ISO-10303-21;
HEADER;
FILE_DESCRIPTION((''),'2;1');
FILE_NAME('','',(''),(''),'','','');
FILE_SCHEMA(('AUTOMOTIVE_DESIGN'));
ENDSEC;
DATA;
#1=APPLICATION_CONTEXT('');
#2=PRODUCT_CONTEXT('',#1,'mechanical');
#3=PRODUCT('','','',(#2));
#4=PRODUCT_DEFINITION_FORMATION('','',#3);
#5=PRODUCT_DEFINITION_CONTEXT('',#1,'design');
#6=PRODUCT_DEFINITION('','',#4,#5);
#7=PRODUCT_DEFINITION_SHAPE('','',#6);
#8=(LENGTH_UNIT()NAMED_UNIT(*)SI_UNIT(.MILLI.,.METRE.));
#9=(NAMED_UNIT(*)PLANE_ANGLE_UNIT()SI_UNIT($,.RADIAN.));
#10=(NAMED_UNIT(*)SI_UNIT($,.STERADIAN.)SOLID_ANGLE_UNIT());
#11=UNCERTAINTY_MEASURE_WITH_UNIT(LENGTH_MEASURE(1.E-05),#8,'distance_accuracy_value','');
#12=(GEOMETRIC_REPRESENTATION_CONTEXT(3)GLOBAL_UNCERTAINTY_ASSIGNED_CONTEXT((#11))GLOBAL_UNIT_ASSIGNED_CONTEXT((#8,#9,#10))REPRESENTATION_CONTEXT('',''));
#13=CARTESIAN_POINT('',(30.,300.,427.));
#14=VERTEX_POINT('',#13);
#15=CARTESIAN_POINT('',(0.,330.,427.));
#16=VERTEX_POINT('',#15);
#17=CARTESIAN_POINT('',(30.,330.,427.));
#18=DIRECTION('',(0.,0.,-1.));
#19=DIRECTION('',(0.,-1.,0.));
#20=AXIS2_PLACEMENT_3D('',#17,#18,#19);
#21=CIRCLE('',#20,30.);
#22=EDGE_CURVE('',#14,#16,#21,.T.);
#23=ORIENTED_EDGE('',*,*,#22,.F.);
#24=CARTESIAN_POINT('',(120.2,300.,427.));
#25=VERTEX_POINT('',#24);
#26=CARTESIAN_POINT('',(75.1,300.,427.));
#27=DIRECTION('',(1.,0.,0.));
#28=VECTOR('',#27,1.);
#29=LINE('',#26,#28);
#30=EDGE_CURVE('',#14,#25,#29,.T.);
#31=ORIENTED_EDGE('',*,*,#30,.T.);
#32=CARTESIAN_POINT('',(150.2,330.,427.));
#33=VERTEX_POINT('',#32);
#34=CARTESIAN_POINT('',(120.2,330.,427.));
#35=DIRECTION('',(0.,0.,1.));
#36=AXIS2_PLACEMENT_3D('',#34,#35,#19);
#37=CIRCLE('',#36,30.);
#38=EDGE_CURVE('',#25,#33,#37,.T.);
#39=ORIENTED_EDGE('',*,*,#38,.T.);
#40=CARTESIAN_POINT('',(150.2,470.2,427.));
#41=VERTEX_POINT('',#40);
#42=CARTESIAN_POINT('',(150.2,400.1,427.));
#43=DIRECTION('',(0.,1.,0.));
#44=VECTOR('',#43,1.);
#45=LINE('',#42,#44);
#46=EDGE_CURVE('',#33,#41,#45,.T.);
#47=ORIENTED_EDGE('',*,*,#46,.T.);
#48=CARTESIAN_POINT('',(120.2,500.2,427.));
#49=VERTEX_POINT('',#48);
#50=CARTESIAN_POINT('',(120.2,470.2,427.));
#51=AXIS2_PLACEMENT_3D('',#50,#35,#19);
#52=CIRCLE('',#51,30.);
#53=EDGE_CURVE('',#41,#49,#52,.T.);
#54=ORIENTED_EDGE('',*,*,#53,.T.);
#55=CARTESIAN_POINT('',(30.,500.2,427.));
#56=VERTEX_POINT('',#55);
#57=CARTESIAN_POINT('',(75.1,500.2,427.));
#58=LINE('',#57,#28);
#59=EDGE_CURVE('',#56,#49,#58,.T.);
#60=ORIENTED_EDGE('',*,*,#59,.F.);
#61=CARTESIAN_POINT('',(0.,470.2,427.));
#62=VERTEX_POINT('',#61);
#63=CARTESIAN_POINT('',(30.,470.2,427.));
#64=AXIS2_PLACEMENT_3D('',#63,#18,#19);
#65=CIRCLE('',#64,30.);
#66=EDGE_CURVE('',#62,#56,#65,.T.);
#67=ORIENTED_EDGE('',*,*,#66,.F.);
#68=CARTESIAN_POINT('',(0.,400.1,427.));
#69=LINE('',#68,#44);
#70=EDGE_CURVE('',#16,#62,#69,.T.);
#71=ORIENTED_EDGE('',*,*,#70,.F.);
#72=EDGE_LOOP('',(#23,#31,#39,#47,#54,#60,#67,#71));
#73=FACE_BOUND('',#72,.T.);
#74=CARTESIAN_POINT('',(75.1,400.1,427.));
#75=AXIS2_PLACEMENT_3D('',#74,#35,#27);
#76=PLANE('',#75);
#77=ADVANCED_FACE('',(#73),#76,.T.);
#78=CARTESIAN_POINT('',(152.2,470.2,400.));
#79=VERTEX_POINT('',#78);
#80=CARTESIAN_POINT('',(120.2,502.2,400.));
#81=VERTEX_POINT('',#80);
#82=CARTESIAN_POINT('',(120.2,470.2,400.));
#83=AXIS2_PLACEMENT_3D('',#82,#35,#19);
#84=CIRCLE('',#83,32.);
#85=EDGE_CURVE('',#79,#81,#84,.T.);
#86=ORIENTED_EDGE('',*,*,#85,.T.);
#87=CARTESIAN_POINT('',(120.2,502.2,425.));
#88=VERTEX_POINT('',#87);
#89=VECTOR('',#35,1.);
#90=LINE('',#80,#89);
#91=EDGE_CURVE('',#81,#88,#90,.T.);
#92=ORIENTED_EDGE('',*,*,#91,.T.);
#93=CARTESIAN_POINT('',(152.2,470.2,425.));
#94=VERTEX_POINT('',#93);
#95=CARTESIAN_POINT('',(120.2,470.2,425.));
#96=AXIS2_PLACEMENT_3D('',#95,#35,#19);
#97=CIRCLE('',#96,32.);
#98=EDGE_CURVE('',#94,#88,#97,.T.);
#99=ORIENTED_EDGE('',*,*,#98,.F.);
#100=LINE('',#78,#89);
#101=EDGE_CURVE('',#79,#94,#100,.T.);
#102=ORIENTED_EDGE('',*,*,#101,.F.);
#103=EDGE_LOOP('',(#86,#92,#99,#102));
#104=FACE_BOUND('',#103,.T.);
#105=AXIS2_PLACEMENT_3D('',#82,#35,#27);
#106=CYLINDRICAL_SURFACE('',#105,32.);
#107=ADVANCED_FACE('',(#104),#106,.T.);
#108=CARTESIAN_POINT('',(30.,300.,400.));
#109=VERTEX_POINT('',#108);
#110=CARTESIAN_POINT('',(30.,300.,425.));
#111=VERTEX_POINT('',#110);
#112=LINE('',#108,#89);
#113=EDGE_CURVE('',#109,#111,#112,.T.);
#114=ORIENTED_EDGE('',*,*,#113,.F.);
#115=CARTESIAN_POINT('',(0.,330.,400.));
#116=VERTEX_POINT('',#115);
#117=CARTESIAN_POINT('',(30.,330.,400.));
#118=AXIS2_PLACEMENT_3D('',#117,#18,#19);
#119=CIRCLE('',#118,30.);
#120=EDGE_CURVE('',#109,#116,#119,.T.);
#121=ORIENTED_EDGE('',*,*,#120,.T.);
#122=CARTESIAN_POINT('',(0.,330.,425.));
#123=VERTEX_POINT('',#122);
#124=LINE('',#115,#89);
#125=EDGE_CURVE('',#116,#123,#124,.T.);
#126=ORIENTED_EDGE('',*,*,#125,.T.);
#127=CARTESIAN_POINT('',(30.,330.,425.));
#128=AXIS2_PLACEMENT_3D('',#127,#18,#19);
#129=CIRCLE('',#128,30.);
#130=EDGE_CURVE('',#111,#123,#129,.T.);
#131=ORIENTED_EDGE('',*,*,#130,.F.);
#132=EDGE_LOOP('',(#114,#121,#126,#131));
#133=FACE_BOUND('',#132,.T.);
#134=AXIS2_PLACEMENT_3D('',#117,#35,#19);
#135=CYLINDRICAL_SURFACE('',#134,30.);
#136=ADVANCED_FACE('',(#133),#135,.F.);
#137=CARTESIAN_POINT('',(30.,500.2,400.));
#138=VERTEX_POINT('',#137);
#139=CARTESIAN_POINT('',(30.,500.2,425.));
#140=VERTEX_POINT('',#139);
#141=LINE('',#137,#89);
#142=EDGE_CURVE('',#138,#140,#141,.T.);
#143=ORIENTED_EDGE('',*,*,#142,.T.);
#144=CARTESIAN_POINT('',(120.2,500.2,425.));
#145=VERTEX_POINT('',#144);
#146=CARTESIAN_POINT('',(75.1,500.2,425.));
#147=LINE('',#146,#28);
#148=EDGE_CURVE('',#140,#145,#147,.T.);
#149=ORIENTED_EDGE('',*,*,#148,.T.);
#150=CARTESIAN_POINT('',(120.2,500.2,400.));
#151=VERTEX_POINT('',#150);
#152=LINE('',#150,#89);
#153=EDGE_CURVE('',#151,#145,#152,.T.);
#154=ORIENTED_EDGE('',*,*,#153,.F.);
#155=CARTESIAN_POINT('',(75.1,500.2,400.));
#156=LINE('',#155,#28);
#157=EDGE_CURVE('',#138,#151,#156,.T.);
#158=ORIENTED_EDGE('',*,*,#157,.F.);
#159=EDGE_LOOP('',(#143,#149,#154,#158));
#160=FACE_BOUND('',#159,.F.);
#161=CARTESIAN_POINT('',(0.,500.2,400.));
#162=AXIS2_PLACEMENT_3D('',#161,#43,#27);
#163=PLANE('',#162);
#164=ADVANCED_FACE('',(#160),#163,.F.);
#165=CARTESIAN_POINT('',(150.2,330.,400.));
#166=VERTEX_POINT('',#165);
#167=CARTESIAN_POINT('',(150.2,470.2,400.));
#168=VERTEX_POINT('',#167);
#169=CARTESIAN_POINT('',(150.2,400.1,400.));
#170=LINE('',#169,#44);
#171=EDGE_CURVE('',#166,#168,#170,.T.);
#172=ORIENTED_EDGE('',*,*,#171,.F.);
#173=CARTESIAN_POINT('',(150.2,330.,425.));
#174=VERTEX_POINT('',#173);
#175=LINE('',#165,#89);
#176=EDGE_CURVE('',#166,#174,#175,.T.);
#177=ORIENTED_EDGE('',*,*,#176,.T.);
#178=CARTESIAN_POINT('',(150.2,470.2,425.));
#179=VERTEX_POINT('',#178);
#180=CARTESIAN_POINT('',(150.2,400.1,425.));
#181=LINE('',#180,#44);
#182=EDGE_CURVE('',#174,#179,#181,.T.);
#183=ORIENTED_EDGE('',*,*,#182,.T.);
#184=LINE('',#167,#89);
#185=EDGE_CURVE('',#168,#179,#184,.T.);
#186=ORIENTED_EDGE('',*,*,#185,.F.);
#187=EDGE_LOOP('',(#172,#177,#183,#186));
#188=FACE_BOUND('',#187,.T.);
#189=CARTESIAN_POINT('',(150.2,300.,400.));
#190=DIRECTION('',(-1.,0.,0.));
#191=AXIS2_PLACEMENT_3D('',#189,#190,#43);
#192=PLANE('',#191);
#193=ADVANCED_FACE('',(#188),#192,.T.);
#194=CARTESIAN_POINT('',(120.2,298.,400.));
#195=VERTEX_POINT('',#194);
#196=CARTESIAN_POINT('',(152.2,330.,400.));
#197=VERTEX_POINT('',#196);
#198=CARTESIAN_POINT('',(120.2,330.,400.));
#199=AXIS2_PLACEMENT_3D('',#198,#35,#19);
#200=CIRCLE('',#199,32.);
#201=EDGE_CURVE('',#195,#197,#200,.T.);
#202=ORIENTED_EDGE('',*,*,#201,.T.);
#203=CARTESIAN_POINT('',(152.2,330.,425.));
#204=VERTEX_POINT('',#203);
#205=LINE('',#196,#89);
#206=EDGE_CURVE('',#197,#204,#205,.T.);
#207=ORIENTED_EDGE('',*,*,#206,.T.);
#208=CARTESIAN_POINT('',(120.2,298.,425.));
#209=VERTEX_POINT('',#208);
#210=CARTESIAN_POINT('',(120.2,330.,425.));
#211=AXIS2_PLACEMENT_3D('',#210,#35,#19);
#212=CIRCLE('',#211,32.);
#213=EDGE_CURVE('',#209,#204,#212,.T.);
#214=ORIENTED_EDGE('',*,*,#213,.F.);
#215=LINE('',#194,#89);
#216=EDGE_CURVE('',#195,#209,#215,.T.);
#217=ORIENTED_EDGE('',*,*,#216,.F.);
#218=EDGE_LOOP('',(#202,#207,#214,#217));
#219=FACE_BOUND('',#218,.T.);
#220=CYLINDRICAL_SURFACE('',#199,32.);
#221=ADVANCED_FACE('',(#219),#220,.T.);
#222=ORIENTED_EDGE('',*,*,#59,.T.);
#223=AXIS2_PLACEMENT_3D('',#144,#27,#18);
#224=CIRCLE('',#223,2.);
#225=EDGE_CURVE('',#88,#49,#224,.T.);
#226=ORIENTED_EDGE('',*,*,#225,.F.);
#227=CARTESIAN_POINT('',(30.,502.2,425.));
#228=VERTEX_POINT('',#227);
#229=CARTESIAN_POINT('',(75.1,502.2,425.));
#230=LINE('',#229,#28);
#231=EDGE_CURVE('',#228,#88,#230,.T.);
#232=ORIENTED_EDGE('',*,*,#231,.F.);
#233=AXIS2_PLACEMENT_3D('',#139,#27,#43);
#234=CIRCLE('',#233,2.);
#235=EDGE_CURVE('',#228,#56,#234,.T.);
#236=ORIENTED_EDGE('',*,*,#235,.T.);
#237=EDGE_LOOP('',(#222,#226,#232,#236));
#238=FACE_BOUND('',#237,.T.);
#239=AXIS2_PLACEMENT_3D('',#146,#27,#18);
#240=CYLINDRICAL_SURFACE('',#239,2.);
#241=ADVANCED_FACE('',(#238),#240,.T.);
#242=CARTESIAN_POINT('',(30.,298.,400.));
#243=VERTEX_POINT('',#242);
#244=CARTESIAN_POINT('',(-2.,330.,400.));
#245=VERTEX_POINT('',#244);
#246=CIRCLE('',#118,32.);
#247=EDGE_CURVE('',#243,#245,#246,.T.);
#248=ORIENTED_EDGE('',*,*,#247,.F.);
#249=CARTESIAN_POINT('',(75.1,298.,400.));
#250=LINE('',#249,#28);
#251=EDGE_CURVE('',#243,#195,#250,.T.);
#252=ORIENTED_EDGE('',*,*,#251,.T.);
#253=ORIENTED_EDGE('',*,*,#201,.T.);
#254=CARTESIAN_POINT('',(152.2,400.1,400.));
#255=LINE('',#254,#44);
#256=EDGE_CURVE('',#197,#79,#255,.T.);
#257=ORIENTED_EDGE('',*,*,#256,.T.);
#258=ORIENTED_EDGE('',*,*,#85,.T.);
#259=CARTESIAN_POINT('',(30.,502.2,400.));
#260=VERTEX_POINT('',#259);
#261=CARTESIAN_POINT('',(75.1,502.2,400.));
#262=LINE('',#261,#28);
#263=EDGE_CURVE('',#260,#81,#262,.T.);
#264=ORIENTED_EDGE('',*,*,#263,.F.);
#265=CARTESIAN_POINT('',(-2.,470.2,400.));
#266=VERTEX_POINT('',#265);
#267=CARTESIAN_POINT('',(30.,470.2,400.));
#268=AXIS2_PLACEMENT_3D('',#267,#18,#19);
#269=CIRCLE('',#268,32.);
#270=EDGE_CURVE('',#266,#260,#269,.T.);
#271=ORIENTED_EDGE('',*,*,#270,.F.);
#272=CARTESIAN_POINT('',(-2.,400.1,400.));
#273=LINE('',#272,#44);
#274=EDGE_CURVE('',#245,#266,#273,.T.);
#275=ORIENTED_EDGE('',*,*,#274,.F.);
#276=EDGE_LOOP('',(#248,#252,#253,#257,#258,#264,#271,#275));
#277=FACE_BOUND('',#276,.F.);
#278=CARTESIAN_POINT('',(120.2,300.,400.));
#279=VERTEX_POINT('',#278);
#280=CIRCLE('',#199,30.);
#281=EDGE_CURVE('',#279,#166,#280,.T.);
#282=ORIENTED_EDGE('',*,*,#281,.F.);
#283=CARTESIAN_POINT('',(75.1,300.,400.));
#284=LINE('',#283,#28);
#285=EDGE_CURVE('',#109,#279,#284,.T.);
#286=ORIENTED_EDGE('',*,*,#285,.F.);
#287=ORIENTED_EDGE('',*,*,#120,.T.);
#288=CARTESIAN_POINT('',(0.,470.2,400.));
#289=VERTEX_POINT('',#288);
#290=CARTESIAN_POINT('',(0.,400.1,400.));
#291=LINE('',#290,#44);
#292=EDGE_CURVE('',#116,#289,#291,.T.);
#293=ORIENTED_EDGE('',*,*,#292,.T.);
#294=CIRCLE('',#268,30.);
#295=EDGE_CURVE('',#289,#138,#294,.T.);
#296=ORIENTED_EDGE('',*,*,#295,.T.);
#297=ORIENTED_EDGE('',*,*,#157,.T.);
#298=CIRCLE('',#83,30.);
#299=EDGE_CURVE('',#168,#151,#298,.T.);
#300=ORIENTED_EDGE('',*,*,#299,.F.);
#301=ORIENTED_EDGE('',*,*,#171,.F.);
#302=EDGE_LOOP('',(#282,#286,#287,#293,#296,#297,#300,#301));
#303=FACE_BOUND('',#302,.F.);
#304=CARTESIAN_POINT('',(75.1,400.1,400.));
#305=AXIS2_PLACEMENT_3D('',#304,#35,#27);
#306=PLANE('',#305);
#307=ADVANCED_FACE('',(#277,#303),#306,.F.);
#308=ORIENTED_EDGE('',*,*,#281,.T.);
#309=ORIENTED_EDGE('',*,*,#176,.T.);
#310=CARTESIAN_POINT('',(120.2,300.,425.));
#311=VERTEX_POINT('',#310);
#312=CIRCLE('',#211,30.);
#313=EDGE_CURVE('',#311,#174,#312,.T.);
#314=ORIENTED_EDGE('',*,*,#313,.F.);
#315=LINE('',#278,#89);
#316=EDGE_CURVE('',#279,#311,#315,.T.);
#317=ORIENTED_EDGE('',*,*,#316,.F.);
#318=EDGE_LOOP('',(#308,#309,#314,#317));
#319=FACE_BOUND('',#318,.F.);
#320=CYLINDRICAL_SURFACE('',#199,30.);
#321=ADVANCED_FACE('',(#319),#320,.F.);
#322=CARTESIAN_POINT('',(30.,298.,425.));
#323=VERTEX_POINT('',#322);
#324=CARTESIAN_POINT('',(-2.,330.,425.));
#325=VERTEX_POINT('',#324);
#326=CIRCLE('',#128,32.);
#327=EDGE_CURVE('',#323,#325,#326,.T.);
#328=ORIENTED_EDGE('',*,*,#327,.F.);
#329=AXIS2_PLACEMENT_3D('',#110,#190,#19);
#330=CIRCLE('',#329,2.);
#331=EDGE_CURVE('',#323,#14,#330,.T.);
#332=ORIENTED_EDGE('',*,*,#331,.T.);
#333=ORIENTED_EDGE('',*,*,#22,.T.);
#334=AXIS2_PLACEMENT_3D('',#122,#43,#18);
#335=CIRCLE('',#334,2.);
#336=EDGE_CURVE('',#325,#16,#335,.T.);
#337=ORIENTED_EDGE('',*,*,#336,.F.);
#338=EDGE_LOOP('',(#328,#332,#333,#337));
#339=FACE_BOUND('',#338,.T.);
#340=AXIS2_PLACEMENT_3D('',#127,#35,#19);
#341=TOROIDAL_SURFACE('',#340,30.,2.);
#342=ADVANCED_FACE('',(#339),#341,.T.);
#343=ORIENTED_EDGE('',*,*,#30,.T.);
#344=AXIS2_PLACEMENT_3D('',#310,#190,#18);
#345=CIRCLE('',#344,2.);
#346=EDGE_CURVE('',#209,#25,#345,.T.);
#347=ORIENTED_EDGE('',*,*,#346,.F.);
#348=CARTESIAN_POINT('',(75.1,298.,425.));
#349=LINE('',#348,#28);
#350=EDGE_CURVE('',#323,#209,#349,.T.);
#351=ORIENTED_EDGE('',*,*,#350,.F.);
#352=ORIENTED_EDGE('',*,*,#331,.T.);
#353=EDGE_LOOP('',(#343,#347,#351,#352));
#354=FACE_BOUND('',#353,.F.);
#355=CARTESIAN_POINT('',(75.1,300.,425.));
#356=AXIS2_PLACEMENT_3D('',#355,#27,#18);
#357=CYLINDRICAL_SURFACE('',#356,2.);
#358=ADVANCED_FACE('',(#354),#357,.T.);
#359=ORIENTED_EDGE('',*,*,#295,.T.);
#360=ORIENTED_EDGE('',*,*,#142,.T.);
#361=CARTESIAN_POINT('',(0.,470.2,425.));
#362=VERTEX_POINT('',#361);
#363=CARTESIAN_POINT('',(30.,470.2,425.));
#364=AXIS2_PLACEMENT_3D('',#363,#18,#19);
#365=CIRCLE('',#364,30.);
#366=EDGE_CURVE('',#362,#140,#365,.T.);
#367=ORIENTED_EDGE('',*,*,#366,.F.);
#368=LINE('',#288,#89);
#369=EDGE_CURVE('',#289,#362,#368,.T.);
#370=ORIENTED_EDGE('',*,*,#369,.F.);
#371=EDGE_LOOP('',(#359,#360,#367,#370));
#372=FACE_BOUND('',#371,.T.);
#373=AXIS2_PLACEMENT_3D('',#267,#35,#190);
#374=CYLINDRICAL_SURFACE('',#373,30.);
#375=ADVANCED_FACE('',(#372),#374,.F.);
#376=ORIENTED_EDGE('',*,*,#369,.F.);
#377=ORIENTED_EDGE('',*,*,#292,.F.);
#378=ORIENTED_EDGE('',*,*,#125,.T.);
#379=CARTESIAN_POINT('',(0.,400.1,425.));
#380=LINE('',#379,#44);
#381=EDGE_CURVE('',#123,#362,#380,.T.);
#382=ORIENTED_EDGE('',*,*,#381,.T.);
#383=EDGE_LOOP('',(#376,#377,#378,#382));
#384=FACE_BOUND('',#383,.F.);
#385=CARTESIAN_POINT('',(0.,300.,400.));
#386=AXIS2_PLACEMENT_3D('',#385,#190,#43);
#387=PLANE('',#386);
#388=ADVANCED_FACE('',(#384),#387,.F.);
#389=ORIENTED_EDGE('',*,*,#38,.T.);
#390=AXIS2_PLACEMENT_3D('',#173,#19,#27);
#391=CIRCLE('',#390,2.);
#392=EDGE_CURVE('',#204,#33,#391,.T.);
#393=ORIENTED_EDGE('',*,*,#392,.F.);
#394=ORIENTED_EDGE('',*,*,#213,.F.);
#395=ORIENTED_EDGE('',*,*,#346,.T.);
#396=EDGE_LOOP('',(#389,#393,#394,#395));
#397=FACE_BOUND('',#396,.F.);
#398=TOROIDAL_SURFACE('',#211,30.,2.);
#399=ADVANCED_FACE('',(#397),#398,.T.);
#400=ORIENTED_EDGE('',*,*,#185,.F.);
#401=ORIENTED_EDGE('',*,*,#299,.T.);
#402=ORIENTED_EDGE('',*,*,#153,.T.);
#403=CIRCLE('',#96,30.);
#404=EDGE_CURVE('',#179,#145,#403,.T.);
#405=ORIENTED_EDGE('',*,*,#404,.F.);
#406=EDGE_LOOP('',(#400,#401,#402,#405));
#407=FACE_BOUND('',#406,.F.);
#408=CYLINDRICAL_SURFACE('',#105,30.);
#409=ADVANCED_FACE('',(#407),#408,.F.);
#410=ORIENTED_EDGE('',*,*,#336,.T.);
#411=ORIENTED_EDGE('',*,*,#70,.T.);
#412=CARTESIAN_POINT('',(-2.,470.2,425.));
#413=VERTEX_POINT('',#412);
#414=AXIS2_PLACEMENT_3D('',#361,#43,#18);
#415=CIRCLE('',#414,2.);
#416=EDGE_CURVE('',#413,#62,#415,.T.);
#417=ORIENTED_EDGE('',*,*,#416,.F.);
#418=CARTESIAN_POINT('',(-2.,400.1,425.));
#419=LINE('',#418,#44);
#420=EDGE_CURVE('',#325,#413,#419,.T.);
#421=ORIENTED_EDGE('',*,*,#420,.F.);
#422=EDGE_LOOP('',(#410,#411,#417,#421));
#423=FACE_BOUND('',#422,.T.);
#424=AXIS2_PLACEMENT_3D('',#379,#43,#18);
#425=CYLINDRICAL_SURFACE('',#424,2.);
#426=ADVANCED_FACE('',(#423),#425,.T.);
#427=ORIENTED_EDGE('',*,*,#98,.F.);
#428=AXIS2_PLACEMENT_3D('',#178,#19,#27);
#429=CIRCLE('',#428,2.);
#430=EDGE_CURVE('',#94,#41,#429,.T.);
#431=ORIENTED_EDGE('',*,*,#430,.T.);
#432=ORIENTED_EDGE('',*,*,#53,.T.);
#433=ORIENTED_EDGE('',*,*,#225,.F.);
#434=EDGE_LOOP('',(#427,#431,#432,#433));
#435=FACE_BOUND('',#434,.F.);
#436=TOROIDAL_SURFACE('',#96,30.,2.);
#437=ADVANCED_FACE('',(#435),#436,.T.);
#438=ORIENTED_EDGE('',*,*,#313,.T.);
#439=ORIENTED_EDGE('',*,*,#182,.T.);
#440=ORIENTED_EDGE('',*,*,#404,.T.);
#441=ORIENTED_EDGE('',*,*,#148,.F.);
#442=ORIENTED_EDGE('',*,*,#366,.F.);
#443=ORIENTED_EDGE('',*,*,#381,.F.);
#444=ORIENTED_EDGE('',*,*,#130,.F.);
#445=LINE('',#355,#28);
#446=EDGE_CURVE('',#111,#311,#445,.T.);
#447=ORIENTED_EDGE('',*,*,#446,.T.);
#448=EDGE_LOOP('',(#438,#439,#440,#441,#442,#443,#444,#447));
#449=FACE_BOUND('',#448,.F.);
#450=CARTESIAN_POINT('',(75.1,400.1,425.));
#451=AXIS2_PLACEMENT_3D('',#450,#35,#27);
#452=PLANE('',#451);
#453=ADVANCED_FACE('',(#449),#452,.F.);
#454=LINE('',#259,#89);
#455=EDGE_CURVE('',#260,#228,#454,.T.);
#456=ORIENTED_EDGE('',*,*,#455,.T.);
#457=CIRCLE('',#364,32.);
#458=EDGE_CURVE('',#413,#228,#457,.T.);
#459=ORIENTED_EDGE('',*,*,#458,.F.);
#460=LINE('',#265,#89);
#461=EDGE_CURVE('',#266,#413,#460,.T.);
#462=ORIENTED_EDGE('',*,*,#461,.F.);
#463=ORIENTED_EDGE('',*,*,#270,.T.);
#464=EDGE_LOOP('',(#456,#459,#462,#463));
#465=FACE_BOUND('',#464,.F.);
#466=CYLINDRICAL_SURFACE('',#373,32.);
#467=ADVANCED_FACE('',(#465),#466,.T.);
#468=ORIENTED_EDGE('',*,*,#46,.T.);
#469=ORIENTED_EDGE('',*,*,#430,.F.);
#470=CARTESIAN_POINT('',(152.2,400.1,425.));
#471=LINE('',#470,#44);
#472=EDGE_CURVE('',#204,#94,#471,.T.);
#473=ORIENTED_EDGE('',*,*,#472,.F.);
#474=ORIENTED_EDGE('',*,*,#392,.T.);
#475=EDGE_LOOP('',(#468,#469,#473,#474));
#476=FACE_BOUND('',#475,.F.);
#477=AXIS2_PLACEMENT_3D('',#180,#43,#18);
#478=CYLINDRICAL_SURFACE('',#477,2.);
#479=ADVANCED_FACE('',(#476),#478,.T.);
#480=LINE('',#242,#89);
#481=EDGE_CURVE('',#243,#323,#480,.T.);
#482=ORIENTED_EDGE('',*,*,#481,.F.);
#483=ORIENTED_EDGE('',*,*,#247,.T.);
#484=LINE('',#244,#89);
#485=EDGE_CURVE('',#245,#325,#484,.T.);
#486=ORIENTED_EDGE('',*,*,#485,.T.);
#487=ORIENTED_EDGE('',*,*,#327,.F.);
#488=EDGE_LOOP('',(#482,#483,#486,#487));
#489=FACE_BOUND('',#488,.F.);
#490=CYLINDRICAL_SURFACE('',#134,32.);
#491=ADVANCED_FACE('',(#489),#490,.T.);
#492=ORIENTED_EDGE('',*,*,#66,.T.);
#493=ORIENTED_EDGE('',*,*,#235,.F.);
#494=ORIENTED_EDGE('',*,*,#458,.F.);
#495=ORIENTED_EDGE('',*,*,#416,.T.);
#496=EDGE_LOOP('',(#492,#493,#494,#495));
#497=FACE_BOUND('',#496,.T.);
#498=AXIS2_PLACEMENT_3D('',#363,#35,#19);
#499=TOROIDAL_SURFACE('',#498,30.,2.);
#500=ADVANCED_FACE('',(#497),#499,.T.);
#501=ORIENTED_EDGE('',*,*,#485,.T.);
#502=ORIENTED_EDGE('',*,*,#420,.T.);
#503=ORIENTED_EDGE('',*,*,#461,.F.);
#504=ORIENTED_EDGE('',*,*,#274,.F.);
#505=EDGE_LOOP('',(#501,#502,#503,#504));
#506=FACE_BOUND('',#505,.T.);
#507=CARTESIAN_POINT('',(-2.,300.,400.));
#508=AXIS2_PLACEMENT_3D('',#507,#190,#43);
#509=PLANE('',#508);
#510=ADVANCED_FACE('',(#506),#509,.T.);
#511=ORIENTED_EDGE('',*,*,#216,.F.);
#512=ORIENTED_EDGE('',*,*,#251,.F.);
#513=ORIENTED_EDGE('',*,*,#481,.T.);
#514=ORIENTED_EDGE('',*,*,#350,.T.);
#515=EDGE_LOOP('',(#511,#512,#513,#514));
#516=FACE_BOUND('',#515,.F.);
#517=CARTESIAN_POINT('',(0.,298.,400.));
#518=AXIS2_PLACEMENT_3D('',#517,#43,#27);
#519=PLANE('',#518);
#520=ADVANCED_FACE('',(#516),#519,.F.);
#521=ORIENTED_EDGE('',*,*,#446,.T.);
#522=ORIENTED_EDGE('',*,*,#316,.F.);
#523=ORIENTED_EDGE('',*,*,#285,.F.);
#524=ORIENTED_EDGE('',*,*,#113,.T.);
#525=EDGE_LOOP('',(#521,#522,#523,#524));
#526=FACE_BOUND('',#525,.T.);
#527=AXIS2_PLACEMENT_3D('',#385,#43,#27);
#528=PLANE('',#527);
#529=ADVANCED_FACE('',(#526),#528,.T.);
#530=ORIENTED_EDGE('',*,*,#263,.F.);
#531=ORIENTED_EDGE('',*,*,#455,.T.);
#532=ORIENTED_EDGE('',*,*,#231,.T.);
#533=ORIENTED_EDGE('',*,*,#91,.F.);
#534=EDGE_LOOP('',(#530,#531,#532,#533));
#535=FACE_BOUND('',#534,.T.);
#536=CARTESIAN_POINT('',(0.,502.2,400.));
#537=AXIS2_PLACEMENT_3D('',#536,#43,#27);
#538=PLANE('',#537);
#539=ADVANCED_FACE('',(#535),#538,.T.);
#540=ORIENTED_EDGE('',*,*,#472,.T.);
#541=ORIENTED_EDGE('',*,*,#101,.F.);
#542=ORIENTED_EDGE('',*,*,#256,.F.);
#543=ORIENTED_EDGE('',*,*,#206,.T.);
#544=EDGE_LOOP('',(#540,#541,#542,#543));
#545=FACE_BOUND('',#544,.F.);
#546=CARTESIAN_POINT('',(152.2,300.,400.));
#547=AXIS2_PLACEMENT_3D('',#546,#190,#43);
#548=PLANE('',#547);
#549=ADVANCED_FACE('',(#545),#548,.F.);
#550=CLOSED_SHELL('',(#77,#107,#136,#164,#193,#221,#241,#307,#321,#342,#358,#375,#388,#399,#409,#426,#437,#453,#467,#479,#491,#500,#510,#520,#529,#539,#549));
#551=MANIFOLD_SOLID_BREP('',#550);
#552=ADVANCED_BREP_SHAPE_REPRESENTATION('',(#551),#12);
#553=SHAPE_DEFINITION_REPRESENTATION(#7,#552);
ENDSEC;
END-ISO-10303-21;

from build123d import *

# Parameters (mm, degrees)
BOX036_W       = 150.2
BOX036_H       = 200.2
BOX036_DEPTH   = 25
FILLET022_R    = 30
FILLET023_R    = 30
FILLET024_R    = 30
FILLET025_R    = 30
THICKNESS001_T = 2


with BuildPart() as part:
    # Box036 → Box036 (new body)
    with BuildSketch(Plane.XY):
        with Locations((75.1, 100.1)):
            Rectangle(BOX036_W, BOX036_H)
    extrude(amount=BOX036_DEPTH)

    # Fillet022
    fillet022_edges = [part.edges().sort_by_distance(p)[0] for p in [
        (150.2, 0, 12.5),
    ]]
    fillet(fillet022_edges, radius=FILLET022_R)

    # Fillet023
    fillet023_edges = [part.edges().sort_by_distance(p)[0] for p in [
        (150.2, 200.2, 12.5),
    ]]
    fillet(fillet023_edges, radius=FILLET023_R)

    # Fillet024
    fillet024_edges = [part.edges().sort_by_distance(p)[0] for p in [
        (0, 0, 12.5),
    ]]
    fillet(fillet024_edges, radius=FILLET024_R)

    # Fillet025
    fillet025_edges = [part.edges().sort_by_distance(p)[0] for p in [
        (0, 200.2, 12.5),
    ]]
    fillet(fillet025_edges, radius=FILLET025_R)

    # Thickness001
    thickness001_openings = [part.faces().sort_by_distance(p)[0] for p in [
        (75.1, 100.1, 0),
    ]]
    offset(amount=THICKNESS001_T, openings=thickness001_openings)


with BuildPart() as part_1:
    # Thickness001 placement: moved
    add(part.part.moved(Location((0, 300, 400))))


solid = part_1.part
